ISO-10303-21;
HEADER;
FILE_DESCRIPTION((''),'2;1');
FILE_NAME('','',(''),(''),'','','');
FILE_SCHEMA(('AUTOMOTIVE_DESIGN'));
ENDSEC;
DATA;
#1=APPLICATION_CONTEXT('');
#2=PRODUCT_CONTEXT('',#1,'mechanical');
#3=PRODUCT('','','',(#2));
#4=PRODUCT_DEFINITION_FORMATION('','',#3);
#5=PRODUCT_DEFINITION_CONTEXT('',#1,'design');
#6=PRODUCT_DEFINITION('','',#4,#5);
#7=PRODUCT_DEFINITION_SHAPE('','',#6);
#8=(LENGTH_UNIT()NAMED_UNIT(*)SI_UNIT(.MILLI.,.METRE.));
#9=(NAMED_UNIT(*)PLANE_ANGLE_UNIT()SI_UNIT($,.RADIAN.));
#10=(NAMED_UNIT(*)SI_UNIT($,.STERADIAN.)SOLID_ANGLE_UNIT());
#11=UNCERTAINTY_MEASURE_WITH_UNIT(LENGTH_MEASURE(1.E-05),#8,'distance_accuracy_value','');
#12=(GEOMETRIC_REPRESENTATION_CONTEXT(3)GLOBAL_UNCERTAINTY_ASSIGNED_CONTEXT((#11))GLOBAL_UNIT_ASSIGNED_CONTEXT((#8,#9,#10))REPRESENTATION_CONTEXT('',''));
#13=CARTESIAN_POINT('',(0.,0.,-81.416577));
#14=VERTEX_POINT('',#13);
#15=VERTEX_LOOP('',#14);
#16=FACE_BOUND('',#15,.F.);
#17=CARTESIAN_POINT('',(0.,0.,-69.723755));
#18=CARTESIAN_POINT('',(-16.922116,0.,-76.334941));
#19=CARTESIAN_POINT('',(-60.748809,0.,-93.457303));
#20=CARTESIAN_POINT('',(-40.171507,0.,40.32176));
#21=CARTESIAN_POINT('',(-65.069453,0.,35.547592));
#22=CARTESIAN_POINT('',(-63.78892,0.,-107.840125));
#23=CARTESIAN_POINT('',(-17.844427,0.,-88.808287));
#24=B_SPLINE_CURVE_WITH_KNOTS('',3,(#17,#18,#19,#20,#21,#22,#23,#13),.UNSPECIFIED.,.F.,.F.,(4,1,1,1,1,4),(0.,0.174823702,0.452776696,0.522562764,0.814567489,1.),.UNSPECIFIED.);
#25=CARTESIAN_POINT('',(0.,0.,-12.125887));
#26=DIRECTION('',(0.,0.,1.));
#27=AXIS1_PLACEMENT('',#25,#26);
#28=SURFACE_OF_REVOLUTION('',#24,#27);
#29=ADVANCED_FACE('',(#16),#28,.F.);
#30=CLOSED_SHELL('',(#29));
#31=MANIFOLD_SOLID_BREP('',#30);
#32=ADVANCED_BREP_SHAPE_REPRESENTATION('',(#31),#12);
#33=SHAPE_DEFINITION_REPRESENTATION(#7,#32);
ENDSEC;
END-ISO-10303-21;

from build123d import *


with BuildPart() as f1:
    # F0 (on Front) → F1 (revolve)
    with BuildSketch(Plane.XZ):
        with BuildLine():
            Line((0, -81.4165771008), (0, -69.7237551212))
            add(Edge.make_bspline(
                [(0, -69.7237551212), (-16.9221162258, -76.3349408395), (-60.7488090563, -93.457302817), (-40.1715065831, 40.3217595773), (-65.0694534393, 35.54759211), (-63.7889204484, -107.8401252888), (-17.8444266736, -88.8082873085), (0, -81.4165771008)],
                knots=[0, 0, 0, 0, 0.1748237016, 0.452776696, 0.5225627642, 0.8145674886, 1, 1, 1, 1], degree=3))
        make_face()
    revolve(axis=Axis((0, 0, -12.1258869767), (0, 0, 1)))


solid = f1.part
